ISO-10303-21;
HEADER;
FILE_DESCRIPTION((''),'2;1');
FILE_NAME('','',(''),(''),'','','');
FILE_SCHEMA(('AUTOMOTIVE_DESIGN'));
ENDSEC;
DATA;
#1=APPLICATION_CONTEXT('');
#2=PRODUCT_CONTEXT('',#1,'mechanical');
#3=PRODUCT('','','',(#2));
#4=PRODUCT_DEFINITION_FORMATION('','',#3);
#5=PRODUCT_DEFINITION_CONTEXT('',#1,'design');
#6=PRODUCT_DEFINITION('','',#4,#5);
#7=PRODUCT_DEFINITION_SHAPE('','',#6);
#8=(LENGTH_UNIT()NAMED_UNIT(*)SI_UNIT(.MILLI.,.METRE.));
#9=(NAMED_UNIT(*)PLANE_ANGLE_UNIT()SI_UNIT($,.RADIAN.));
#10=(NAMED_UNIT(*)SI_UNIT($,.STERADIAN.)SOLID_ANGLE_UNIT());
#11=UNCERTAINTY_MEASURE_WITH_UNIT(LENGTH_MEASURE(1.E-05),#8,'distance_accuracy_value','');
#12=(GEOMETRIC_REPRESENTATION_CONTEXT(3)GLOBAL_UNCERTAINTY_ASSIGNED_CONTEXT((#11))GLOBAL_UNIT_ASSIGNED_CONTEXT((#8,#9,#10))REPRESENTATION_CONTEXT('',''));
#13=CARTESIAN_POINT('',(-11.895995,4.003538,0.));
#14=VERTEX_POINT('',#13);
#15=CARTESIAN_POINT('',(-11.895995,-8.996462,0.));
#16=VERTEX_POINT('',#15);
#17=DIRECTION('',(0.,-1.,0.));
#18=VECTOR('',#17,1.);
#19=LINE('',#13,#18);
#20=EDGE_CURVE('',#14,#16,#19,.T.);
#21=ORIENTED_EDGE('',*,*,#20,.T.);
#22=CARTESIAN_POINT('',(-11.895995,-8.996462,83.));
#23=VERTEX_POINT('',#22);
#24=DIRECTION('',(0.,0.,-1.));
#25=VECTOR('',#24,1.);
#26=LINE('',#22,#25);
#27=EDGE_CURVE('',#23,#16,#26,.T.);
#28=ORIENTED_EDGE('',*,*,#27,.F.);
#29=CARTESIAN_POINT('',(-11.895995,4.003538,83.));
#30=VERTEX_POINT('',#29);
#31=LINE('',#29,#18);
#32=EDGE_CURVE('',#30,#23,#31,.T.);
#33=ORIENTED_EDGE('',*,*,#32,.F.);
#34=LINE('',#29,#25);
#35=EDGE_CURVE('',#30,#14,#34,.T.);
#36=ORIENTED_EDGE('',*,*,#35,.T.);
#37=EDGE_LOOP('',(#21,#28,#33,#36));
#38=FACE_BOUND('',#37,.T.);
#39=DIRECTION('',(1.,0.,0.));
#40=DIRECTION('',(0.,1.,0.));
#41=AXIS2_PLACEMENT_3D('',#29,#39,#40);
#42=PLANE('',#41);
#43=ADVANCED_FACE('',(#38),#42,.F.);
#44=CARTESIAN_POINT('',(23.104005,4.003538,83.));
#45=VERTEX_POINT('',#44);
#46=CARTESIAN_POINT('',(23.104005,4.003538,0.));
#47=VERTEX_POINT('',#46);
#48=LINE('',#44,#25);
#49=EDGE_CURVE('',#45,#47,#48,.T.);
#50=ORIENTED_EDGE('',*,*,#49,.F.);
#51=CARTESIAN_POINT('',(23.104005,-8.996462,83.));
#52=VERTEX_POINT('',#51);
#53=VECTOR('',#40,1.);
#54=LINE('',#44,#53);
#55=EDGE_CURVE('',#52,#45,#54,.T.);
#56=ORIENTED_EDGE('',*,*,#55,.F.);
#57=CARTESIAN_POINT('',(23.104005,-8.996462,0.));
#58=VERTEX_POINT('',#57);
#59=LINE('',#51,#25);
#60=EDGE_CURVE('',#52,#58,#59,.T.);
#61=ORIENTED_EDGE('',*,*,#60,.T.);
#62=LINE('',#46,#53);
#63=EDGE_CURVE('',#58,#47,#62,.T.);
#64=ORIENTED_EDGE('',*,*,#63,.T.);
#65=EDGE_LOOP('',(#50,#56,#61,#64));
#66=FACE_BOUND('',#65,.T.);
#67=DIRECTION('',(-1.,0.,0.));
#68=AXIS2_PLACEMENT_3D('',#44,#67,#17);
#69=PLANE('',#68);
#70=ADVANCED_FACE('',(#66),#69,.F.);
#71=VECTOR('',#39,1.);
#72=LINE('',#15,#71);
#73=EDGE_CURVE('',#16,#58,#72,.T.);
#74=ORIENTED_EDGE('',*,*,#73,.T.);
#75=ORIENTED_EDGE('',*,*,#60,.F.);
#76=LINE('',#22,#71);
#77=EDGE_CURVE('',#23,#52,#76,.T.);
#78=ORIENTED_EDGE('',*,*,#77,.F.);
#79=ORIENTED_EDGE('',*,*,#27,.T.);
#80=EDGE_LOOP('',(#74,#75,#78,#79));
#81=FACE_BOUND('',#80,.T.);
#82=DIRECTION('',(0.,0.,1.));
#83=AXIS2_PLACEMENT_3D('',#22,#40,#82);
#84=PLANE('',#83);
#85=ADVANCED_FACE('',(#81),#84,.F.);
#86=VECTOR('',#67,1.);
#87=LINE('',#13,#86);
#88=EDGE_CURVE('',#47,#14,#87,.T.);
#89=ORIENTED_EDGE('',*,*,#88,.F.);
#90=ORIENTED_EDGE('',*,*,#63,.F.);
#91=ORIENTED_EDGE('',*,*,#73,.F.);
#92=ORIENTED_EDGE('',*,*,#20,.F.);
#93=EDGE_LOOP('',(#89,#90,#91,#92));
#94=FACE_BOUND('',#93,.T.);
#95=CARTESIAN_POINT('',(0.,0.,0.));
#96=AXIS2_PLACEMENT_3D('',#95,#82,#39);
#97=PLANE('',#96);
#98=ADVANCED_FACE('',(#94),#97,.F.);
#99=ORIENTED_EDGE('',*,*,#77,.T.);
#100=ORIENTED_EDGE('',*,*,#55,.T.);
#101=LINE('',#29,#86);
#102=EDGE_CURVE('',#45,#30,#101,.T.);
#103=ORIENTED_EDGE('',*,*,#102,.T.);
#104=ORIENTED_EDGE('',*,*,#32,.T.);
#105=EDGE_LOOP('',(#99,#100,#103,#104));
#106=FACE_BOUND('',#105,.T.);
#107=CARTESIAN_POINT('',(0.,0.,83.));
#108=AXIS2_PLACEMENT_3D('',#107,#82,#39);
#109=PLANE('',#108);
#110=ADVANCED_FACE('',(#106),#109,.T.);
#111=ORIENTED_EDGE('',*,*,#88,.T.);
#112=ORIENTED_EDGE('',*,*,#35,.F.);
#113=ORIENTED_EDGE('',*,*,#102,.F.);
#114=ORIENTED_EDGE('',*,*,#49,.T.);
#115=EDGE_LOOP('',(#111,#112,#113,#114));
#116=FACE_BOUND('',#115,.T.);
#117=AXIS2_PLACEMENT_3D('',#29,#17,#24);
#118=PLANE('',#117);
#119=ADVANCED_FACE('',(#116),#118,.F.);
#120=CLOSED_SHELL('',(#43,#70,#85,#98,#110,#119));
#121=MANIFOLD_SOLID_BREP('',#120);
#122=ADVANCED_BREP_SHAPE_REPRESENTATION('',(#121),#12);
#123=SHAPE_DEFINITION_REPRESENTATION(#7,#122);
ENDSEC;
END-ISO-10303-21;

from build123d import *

# Parameters (mm, degrees)
SKETCH_1_W      = 35
SKETCH_1_H      = 13
EXTRUDE_1_DEPTH = 83


with BuildPart() as part:
    # ｽｹｯﾁ1 → ﾎﾞｽ - 押し出し1 (new body)
    with BuildSketch(Plane.XY):
        with Locations((5.604004653, -2.496462264)):
            Rectangle(SKETCH_1_W, SKETCH_1_H)
    extrude(amount=EXTRUDE_1_DEPTH)


solid = part.part
